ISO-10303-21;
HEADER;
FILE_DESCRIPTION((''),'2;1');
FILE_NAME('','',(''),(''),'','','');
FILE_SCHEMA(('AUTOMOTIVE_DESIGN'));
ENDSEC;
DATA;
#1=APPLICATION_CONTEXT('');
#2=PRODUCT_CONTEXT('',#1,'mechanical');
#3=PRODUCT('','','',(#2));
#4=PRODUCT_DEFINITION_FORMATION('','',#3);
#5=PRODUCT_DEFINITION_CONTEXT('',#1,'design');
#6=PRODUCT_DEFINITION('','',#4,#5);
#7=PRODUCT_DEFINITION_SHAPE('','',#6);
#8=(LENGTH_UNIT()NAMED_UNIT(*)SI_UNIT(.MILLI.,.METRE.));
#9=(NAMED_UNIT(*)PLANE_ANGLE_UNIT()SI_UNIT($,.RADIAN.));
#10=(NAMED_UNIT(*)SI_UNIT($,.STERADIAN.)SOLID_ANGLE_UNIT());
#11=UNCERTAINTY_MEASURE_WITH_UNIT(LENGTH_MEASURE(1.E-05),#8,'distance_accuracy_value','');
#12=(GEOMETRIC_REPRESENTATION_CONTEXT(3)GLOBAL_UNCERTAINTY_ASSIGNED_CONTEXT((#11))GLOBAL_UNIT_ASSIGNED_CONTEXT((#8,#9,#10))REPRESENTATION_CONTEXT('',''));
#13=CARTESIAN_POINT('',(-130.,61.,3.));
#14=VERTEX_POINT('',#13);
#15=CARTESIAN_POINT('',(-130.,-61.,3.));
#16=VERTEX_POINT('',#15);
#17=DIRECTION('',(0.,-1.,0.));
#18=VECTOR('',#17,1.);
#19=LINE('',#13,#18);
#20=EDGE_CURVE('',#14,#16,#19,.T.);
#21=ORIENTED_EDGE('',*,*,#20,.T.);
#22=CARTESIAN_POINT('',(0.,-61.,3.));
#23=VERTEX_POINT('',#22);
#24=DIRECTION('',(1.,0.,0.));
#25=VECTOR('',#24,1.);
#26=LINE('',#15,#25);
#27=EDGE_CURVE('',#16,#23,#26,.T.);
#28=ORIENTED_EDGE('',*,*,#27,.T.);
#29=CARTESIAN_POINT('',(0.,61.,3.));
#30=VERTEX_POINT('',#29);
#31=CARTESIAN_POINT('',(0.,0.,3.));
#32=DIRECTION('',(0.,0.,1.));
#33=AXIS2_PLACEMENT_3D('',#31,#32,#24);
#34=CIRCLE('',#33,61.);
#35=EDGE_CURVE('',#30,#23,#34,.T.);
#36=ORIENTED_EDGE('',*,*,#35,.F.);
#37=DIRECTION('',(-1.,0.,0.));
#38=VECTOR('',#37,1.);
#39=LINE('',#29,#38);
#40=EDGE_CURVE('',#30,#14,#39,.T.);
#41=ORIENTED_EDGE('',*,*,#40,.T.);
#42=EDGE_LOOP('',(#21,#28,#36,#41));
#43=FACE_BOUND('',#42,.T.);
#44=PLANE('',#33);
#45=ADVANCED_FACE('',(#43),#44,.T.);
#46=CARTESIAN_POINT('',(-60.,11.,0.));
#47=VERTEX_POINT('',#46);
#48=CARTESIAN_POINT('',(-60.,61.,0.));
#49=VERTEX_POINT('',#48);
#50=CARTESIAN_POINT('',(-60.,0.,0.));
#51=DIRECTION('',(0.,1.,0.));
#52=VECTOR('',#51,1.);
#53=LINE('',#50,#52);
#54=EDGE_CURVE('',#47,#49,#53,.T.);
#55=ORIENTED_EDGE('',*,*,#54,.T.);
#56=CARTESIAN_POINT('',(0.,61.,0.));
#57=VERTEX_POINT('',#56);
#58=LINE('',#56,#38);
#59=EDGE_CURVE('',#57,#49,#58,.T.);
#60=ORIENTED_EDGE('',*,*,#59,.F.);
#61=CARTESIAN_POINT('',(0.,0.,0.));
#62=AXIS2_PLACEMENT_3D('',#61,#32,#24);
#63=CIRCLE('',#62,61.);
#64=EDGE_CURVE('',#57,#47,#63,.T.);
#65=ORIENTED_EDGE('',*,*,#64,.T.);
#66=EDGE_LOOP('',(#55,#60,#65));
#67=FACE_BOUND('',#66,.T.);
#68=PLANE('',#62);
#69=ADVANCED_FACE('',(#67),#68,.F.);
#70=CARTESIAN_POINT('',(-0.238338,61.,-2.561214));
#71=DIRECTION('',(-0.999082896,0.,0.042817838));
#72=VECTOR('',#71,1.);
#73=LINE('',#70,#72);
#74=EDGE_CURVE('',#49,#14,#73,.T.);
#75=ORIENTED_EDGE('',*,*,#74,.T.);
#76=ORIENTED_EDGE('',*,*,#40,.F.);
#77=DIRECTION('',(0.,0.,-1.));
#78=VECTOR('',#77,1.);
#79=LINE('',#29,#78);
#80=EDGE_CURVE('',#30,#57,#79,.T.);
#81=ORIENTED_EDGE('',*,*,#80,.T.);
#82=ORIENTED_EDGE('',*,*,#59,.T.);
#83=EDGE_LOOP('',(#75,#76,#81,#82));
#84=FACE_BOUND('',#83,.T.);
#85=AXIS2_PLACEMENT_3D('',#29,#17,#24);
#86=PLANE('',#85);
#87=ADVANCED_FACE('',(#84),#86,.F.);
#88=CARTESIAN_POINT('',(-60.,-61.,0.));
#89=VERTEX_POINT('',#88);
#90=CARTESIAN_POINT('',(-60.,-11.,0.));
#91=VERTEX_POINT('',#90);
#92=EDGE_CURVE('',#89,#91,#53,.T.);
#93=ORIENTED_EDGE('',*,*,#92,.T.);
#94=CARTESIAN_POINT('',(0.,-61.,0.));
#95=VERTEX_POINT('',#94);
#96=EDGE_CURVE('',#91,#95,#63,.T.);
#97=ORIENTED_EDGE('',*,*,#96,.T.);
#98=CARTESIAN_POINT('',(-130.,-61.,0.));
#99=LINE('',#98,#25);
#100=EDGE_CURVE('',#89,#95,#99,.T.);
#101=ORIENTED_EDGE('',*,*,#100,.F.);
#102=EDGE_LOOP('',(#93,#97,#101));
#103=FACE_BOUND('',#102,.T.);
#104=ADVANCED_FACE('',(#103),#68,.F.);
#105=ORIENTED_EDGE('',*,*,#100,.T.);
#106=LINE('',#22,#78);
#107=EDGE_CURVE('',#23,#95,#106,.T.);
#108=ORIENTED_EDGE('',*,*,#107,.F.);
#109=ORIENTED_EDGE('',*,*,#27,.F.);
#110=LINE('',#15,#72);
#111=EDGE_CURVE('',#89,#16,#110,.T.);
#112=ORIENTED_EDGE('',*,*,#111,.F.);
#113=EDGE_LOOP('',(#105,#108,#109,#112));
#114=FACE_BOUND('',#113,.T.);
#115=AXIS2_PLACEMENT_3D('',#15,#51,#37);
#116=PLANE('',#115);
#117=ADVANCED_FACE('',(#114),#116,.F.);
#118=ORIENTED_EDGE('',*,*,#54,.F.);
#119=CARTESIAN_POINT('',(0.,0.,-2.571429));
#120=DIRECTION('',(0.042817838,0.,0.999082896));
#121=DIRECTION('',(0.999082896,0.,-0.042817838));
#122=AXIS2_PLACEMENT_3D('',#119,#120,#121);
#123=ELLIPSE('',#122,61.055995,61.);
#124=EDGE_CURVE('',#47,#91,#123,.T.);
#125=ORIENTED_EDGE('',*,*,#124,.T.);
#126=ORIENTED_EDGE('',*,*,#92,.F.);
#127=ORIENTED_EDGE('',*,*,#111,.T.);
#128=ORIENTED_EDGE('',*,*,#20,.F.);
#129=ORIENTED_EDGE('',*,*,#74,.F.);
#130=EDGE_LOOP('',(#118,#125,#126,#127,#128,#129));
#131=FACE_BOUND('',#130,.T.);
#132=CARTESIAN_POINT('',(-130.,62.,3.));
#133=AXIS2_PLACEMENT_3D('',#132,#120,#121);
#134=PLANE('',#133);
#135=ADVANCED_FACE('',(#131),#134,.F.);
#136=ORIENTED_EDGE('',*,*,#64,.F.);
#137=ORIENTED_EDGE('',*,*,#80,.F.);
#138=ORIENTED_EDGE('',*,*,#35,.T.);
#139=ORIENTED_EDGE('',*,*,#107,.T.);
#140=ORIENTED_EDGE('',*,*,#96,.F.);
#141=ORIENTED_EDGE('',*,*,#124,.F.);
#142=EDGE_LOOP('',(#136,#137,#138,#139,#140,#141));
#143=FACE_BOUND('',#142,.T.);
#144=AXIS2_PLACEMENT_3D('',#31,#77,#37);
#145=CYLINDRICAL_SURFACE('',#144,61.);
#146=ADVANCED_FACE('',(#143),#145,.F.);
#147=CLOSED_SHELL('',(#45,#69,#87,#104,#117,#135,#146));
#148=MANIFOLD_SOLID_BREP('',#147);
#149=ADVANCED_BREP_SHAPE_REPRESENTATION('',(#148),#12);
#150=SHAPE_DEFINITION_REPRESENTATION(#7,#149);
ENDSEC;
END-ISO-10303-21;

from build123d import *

# Parameters (mm, degrees)
BOSS_EXTRUDE1_DEPTH = 3
CUT_EXTRUDE1_DEPTH  = 123


with BuildPart() as part:
    # Sketch1 → Boss-Extrude1 (new body)
    with BuildSketch(Plane.XY):
        with BuildLine():
            Line((0, 61), (-130, 61))
            Line((-130, 61), (-130, -61))
            Line((-130, -61), (0, -61))
            ThreePointArc((0, -61), (-61, 0), (0, 61))
        make_face()
    extrude(amount=BOSS_EXTRUDE1_DEPTH)

    # Sketch3 → Cut-Extrude1 (cut)
    with BuildSketch(Plane(origin=(0, -61, 0), x_dir=(-1, 0, 0), z_dir=(0, -1, 0))):
        Polygon((130, -3), (60, 0), (130, 0), align=None)
    extrude(amount=-CUT_EXTRUDE1_DEPTH, mode=Mode.SUBTRACT)


solid = part.part
